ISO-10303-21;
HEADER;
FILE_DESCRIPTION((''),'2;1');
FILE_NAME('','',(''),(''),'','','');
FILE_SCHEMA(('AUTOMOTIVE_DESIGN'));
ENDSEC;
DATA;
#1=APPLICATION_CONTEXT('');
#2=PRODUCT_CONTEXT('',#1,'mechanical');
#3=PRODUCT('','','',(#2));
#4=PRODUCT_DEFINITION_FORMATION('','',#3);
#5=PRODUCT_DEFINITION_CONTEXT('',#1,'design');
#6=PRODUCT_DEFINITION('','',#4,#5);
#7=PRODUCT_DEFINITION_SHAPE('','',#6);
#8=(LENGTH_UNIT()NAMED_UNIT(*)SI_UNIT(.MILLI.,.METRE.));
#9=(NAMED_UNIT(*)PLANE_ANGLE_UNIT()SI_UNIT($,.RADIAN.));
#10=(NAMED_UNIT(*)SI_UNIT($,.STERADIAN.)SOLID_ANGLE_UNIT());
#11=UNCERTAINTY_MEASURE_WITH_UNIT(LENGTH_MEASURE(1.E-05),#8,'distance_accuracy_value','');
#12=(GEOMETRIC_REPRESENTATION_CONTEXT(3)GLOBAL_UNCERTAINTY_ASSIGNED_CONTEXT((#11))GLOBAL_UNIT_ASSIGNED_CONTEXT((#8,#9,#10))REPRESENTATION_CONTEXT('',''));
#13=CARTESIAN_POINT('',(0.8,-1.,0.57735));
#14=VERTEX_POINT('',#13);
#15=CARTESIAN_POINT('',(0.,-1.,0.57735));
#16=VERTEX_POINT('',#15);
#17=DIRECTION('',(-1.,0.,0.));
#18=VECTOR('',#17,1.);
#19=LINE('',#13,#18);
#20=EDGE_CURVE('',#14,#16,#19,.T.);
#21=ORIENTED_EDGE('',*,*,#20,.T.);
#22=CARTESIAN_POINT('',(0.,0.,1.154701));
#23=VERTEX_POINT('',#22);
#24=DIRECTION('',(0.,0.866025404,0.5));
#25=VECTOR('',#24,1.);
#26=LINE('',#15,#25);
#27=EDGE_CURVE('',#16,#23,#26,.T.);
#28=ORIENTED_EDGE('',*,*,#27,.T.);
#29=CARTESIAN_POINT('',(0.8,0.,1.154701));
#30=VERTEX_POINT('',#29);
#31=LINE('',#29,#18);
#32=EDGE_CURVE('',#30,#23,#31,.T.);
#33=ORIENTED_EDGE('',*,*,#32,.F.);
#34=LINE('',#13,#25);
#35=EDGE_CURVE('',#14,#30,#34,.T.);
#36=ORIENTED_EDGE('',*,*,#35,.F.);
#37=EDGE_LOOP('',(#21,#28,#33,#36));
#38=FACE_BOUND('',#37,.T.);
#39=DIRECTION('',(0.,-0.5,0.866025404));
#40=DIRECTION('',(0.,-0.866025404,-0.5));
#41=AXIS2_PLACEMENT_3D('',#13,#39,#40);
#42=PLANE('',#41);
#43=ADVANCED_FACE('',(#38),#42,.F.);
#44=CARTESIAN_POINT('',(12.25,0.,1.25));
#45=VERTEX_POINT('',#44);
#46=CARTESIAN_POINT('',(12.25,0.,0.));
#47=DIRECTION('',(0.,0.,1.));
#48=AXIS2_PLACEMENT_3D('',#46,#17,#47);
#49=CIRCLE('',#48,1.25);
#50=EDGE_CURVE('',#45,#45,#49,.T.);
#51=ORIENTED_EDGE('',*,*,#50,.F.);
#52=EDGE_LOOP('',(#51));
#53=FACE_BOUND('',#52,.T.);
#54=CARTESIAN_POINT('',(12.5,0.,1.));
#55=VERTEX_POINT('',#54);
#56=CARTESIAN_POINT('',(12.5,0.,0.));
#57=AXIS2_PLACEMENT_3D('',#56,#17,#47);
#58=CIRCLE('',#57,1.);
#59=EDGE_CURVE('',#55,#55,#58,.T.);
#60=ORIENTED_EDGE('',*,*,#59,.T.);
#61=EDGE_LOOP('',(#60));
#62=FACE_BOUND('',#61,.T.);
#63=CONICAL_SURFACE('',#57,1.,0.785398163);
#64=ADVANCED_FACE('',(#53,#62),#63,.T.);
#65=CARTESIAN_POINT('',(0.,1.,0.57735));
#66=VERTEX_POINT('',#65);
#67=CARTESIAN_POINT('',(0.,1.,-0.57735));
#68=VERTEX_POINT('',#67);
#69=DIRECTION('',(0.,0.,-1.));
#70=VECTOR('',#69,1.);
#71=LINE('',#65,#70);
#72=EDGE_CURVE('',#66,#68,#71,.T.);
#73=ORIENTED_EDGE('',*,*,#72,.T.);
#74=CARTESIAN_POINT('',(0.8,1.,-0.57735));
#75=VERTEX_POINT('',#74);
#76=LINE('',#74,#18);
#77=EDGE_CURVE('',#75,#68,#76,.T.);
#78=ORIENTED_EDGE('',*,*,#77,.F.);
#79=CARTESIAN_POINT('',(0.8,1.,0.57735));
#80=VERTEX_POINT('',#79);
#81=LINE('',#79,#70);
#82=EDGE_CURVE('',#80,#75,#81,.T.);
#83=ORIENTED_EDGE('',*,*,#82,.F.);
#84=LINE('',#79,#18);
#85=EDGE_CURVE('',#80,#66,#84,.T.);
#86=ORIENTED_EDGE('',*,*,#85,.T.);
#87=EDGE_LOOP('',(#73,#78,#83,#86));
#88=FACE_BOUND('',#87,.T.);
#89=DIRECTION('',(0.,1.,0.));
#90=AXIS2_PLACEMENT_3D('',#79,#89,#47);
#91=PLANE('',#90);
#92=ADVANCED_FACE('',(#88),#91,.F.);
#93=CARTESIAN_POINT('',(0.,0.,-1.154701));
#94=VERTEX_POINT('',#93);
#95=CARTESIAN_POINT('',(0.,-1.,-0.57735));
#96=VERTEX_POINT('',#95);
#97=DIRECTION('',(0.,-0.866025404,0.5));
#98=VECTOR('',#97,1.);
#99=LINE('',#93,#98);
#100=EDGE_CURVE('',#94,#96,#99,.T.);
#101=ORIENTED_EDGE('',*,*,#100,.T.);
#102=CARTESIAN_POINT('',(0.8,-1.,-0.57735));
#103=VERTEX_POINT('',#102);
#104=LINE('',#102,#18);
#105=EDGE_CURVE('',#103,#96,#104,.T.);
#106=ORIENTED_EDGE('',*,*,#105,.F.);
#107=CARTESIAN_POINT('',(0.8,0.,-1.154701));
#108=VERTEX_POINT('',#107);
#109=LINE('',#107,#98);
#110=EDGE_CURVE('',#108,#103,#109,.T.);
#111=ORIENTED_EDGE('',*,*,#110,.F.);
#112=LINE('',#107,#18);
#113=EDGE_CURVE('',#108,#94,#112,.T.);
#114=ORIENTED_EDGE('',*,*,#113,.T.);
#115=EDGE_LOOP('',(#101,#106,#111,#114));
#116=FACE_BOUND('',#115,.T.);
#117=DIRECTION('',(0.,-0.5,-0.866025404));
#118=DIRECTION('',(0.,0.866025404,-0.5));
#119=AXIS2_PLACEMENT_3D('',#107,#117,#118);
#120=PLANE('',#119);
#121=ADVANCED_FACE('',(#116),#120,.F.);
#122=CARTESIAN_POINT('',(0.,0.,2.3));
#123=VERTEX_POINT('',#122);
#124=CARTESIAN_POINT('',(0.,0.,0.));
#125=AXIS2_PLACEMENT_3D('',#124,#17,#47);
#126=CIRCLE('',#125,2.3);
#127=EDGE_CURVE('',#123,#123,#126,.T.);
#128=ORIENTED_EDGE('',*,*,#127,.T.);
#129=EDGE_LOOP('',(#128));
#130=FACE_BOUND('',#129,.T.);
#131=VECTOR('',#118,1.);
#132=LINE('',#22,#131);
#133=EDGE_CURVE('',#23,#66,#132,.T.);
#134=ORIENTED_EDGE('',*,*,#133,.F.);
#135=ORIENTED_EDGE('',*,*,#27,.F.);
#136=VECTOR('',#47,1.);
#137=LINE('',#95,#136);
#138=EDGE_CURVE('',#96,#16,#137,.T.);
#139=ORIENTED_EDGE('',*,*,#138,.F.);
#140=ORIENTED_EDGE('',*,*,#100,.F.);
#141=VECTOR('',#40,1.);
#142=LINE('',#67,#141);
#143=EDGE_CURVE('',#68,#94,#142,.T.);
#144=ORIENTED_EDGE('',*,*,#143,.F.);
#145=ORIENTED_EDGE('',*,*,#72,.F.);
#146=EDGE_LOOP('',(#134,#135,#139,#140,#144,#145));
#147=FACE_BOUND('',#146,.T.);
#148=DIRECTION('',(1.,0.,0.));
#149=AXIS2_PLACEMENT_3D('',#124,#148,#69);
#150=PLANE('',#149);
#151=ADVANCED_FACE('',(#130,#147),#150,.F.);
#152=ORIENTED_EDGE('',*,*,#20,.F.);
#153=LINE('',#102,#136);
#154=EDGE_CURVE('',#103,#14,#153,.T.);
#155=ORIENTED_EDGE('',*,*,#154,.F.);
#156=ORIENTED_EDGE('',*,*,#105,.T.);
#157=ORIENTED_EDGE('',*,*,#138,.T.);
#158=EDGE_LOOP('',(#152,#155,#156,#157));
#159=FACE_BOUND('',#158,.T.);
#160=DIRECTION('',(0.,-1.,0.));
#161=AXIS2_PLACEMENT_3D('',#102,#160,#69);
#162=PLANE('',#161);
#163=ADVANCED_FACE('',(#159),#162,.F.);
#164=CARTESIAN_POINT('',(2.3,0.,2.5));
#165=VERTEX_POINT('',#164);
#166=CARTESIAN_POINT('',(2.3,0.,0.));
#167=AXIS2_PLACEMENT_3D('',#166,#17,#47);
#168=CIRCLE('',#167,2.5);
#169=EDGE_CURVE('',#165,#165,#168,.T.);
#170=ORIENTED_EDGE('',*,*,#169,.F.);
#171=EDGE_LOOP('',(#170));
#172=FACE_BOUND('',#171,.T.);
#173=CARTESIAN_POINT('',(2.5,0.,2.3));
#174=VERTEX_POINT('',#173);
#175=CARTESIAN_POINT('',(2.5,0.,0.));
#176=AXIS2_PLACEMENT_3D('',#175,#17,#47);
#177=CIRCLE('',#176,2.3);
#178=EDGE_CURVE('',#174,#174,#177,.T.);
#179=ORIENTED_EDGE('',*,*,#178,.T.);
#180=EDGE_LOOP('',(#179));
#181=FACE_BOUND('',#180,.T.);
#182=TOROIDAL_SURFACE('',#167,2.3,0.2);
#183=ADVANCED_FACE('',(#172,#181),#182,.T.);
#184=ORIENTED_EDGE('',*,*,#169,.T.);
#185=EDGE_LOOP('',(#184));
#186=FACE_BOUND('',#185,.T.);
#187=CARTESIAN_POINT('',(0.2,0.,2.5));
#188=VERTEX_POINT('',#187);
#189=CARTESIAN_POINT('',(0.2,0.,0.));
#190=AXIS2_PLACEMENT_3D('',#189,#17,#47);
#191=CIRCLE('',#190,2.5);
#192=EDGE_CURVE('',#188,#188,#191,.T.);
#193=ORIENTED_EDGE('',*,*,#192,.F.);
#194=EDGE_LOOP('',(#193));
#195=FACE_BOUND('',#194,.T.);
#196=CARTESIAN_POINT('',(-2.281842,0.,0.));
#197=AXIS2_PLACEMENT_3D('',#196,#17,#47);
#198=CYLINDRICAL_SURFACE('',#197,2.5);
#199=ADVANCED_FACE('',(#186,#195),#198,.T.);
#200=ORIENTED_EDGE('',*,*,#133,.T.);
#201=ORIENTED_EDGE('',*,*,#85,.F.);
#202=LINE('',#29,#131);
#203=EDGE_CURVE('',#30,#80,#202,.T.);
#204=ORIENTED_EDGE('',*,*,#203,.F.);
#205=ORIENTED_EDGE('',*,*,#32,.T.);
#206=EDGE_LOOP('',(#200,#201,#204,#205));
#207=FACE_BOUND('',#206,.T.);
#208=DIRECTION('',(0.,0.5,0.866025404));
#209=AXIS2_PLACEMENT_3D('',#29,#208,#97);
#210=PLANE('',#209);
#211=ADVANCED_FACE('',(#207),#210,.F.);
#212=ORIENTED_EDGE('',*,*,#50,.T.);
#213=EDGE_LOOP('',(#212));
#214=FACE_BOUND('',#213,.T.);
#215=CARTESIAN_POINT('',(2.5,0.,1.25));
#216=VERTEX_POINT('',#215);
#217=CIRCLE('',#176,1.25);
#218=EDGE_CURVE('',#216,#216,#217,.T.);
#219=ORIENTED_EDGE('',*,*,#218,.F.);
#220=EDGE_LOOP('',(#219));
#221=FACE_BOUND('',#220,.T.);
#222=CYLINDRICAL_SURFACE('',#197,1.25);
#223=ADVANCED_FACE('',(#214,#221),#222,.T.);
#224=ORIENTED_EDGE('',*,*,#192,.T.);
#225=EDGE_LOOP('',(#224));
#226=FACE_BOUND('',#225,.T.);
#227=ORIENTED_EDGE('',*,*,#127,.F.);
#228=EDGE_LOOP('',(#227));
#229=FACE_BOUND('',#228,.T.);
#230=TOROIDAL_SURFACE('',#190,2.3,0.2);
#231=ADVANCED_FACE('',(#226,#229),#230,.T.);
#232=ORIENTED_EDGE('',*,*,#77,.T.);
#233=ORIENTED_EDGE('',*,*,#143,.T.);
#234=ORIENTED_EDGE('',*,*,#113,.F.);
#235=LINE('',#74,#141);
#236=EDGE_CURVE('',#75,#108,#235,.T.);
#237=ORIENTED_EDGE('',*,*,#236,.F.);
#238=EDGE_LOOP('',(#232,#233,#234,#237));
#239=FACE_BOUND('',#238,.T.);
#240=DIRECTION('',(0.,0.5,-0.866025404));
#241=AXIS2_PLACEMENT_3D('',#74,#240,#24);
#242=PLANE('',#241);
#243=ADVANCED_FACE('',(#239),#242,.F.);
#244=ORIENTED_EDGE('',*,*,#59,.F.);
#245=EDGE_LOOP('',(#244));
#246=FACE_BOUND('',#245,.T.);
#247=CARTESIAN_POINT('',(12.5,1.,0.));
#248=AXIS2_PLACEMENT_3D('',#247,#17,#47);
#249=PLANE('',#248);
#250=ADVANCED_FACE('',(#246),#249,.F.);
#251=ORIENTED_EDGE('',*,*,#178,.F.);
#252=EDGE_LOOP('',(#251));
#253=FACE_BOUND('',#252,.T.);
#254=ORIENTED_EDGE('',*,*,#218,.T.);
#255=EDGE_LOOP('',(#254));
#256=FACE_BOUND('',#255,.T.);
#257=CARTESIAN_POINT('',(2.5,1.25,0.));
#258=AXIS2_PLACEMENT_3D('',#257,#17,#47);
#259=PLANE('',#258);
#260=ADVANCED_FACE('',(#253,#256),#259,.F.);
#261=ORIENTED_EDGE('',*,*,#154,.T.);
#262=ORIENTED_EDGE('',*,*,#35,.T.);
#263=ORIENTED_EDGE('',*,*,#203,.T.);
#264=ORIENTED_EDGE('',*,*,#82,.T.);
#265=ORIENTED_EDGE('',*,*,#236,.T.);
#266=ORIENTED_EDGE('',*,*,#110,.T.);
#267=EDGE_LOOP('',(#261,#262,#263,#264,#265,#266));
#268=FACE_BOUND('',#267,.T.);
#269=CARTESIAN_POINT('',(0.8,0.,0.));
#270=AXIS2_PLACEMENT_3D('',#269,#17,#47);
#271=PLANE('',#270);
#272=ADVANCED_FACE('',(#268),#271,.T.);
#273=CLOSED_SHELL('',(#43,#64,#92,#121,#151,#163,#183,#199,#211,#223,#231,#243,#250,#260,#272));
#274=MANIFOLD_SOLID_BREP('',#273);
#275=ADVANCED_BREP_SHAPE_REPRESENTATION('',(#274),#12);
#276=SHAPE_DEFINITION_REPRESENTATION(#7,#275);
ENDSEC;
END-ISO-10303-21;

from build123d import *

# Parameters (mm, degrees)
CUT_EXTRUDE1_DEPTH = 0.8


with BuildPart() as part:
    # Sketch2 → Revolve1 (revolve)
    with BuildSketch(Plane.XY, mode=Mode.PRIVATE) as revolve1_sk:
        with BuildLine():
            Line((0, 0), (0, 2.3))
            ThreePointArc((0, 2.3), (0.058578644, 2.441421356), (0.2, 2.5))
            Line((0.2, 2.5), (2.3, 2.5))
            ThreePointArc((2.3, 2.5), (2.441421356, 2.441421356), (2.5, 2.3))
            Line((2.5, 2.3), (2.5, 1.25))
            Line((2.5, 1.25), (12.25, 1.25))
            Line((12.25, 1.25), (12.5, 1))
            Line((12.5, 1), (12.5, 0))
            Line((12.5, 0), (0, 0))
        make_face()
    revolve(revolve1_sk.sketch.rotate(Axis((-2.281841559, 0, 0), (1, 0, 0)), 90), axis=Axis((-2.281841559, 0, 0), (1, 0, 0)))

    # Sketch3 → Cut-Extrude1 (cut)
    with BuildSketch(Plane.ZY):
        Polygon((0.577350269, -1), (1.154700538, 0), (0.577350269, 1), (-0.577350269, 1), (-1.154700538, 0), (-0.577350269, -1), align=None)
    extrude(amount=-CUT_EXTRUDE1_DEPTH, mode=Mode.SUBTRACT)


solid = part.part
